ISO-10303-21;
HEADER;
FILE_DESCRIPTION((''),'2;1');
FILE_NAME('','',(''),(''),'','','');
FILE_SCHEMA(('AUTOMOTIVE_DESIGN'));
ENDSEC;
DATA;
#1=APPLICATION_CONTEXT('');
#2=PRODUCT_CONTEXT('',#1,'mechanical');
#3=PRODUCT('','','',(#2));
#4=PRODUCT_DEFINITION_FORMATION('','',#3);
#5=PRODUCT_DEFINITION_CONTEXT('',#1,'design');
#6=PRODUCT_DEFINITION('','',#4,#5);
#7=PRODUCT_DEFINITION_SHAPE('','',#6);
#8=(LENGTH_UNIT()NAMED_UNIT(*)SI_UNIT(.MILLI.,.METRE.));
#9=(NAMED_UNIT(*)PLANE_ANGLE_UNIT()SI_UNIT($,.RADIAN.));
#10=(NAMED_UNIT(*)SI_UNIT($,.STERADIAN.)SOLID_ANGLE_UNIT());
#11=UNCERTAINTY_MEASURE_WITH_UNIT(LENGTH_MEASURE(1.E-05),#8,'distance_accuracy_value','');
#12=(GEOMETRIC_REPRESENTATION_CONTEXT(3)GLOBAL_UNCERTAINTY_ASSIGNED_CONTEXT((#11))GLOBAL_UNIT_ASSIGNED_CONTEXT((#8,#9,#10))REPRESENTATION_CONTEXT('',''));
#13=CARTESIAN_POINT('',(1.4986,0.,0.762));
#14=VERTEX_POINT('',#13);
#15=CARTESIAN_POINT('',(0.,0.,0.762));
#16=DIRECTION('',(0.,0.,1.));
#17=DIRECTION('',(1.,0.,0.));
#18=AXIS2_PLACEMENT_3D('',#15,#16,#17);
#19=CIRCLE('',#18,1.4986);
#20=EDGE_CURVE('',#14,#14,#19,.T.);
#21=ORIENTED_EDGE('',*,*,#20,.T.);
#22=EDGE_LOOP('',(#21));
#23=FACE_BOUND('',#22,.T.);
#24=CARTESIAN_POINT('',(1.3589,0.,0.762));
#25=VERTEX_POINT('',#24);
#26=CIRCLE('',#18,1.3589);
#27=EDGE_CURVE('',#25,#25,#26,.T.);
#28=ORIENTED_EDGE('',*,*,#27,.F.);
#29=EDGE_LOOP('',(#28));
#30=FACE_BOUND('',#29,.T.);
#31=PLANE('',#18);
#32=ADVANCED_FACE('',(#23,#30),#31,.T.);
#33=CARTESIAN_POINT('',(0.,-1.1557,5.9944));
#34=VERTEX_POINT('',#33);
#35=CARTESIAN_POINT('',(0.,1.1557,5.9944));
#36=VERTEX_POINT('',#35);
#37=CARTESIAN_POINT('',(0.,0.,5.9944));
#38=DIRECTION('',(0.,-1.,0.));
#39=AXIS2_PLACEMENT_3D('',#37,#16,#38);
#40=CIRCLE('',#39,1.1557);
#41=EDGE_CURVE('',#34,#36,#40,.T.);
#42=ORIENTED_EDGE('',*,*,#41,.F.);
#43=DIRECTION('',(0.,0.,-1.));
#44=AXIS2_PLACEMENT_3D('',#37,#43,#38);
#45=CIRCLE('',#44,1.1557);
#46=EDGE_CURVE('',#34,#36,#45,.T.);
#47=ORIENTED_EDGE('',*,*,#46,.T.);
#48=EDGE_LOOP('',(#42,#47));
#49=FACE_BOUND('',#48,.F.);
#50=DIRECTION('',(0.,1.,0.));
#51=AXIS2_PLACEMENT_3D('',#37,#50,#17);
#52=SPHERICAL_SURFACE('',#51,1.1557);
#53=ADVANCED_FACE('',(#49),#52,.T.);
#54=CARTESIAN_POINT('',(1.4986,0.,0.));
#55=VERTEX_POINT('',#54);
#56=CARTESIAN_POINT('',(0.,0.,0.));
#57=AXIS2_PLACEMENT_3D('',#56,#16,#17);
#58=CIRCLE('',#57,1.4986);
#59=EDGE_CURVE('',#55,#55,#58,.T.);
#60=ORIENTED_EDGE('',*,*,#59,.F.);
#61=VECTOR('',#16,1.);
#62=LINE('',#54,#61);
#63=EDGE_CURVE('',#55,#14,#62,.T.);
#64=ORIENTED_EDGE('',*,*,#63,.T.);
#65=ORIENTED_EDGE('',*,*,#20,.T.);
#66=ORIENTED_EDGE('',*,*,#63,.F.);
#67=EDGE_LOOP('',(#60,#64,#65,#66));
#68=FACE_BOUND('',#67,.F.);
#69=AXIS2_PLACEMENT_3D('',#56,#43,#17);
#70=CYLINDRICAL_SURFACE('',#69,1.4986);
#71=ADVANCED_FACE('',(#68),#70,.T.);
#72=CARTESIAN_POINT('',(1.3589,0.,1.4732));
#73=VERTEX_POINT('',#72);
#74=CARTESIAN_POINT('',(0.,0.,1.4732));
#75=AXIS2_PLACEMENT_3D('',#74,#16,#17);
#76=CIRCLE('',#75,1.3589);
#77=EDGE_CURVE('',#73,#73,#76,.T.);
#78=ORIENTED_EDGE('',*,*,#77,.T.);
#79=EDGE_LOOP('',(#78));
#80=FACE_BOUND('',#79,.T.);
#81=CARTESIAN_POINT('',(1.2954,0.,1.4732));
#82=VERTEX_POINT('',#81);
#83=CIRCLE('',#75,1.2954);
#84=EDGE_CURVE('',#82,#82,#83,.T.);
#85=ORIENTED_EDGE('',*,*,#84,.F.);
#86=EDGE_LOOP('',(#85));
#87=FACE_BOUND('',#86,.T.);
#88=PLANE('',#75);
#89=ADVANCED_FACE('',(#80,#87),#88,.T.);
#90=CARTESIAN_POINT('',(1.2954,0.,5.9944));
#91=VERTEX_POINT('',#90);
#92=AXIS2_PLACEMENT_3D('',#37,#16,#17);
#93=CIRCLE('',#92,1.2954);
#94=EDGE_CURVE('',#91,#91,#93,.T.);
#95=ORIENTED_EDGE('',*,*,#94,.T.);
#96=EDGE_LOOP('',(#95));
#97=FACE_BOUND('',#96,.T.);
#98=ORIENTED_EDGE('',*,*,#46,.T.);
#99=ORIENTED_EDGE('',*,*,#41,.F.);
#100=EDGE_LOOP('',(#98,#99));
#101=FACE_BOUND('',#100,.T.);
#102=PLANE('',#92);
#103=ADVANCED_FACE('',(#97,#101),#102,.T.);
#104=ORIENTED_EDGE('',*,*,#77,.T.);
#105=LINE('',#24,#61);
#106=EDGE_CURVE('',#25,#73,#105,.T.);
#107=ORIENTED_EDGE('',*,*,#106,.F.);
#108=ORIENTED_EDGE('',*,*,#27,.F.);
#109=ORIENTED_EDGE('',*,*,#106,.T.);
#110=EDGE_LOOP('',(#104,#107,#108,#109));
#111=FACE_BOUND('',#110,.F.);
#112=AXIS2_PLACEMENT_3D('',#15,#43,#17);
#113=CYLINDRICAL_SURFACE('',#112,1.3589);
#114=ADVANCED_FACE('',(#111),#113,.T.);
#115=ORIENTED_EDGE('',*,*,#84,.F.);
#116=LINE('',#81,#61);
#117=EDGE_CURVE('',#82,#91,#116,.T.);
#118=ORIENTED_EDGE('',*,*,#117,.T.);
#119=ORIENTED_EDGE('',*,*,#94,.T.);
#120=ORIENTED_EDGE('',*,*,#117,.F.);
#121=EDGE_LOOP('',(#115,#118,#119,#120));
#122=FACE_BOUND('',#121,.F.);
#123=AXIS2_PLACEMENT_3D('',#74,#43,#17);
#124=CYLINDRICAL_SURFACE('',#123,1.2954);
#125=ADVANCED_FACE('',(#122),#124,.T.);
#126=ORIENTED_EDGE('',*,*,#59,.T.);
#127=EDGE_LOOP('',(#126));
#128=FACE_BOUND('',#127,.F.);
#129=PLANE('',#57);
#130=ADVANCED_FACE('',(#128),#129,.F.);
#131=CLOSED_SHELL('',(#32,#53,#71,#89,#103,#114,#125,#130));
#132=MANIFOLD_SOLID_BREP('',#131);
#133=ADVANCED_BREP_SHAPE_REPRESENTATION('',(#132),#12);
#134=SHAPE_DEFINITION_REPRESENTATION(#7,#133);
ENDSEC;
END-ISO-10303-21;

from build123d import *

# Parameters (mm, degrees)
SKETCH_R         = 1.4986
PAD_DEPTH        = 0.762
SKETCH001_R      = 1.3589
PAD001_DEPTH     = 0.7112
SKETCH002_R      = 1.2954
PAD002_DEPTH     = 4.5212
REVOLUTION_ANGLE = -180


with BuildPart() as part:
    # Sketch → Pad (new body)
    with BuildSketch(Plane.XY):
        Circle(SKETCH_R)
    extrude(amount=PAD_DEPTH)

    # Sketch001 (on Face3 of Pad) → Pad001 (join)
    with BuildSketch(Plane.XY.offset(0.762)):
        Circle(SKETCH001_R)
    extrude(amount=PAD001_DEPTH)

    # Sketch002 (on Face5 of Pad001) → Pad002 (join)
    with BuildSketch(Plane.XY.offset(1.4732)):
        Circle(SKETCH002_R)
    extrude(amount=PAD002_DEPTH)

    # Sketch003 (on Face7 of Pad002) → Revolution (revolve)
    with BuildSketch(Plane.XY.offset(5.9944)):
        with BuildLine():
            ThreePointArc((0, -1.1557), (1.1557, 0), (0, 1.1557))
            Line((0, 1.1557), (0, -1.1557))
        make_face()
    revolve(axis=Axis((0, 0, 5.9944), (0, 1, 0)), revolution_arc=REVOLUTION_ANGLE)


solid = part.part
